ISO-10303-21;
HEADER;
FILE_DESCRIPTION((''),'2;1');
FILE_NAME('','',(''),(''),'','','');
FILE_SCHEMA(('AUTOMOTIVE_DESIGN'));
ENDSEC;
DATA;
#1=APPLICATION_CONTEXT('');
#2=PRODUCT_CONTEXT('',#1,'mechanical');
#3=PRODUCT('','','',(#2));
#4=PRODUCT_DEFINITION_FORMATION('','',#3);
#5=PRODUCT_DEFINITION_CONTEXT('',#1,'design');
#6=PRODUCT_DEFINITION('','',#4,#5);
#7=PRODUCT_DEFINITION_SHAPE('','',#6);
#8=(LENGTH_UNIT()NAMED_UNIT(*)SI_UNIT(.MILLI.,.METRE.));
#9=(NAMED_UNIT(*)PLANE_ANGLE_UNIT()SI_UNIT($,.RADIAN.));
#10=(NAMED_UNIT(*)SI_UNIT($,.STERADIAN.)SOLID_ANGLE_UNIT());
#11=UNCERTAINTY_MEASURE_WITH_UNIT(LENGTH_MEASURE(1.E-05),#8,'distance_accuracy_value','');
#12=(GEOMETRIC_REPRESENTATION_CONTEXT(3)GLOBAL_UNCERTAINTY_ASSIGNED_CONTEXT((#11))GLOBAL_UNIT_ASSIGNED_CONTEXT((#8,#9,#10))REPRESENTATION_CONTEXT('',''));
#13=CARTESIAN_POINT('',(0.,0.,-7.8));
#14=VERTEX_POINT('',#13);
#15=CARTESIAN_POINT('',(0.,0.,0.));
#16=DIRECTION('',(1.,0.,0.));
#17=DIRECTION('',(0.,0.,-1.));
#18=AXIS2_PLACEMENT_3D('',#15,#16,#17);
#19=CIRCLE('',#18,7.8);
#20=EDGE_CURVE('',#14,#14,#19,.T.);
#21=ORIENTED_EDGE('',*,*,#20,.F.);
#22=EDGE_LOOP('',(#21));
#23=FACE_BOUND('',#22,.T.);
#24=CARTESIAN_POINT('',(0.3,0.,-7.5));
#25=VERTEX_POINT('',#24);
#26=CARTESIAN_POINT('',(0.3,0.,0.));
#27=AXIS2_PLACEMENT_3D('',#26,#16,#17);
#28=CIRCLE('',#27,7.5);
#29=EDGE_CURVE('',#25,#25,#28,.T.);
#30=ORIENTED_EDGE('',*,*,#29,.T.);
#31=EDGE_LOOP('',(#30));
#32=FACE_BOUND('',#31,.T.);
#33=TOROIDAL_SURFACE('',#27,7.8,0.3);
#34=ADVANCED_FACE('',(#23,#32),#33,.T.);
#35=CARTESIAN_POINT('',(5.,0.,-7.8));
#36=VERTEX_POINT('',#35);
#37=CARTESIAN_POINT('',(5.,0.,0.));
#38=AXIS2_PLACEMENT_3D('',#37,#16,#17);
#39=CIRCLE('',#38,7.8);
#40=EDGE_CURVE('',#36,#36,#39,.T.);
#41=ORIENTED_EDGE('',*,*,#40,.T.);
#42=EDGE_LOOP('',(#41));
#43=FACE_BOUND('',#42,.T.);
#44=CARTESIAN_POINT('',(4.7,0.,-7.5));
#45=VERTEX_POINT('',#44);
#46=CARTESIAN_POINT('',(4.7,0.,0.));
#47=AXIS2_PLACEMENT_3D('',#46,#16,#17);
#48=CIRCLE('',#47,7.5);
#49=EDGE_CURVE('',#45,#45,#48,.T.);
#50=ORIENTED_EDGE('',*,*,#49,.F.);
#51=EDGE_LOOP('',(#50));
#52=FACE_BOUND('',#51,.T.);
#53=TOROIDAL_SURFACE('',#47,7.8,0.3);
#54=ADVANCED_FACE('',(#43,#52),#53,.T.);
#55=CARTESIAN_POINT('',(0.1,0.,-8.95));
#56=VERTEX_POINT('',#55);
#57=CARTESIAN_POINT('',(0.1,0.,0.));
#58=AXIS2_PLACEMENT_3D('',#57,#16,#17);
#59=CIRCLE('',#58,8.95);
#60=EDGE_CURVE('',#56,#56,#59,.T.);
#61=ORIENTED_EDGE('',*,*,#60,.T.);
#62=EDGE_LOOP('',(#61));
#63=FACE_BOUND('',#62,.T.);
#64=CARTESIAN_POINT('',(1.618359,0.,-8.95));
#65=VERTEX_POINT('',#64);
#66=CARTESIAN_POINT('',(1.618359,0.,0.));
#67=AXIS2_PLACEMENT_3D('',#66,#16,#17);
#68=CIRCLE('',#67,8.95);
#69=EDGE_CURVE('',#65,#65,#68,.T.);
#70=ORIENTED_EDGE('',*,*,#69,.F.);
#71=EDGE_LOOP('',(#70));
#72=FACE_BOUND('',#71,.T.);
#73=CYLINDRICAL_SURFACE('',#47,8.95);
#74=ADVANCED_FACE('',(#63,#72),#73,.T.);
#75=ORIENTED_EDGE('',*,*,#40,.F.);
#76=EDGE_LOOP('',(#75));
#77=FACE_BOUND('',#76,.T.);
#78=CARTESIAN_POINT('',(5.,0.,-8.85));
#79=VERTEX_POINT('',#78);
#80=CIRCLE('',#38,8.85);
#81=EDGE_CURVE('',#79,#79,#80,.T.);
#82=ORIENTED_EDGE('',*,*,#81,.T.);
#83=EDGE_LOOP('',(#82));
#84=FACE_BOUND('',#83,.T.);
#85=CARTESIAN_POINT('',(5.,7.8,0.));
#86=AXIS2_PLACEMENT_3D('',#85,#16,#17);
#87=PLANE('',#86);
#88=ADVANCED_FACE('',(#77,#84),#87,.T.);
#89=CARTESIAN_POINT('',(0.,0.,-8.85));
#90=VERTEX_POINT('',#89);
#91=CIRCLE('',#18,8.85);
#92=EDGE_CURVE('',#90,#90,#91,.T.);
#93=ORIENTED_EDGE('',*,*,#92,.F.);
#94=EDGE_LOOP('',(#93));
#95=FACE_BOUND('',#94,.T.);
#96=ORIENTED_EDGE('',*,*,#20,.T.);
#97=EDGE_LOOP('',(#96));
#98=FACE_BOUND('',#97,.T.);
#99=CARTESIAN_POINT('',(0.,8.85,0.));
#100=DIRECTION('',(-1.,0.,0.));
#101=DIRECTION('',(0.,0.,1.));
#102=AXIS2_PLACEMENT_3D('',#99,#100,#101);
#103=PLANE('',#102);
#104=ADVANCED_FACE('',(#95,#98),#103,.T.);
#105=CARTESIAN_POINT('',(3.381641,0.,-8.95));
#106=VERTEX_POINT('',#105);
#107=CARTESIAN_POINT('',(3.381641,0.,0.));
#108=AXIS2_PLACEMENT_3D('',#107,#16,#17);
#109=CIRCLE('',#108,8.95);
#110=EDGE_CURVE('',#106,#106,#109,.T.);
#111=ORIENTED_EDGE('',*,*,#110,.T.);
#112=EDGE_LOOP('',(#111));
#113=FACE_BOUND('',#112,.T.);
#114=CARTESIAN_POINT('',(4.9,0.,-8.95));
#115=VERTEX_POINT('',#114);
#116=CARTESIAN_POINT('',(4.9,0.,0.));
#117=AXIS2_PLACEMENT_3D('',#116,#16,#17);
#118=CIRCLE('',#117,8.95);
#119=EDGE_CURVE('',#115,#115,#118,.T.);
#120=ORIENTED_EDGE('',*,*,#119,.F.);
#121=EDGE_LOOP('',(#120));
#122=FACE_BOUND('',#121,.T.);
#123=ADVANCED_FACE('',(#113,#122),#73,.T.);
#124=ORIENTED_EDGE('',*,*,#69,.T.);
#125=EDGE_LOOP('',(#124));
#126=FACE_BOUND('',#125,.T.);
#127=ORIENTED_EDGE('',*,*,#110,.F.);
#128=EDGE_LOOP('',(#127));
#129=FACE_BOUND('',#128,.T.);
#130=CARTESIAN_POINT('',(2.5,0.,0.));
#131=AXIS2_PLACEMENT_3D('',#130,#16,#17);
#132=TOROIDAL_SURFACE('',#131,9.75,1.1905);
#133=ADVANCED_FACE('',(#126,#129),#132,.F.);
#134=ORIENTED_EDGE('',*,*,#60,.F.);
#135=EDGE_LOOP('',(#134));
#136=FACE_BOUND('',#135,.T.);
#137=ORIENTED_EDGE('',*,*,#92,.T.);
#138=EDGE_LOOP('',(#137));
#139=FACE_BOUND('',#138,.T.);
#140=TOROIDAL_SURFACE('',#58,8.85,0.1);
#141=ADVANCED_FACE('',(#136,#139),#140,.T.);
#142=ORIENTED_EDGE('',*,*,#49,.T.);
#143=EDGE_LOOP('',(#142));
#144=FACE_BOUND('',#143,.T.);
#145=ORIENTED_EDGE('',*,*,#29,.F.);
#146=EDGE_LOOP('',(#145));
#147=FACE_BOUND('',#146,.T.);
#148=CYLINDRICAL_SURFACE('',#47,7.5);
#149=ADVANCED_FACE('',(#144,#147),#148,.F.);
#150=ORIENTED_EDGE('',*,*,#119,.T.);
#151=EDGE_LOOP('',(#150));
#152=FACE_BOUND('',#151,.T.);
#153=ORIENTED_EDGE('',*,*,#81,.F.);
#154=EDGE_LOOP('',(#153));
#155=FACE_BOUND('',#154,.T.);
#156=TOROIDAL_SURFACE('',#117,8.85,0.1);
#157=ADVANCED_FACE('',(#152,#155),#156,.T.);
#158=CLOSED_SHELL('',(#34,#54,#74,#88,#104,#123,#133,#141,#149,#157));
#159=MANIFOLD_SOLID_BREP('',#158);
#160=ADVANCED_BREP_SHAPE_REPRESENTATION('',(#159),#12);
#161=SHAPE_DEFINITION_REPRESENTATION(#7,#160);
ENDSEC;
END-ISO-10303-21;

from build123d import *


with BuildPart() as part:
    # Sketch1 → Revolve1 (revolve)
    with BuildSketch(Plane.XY):
        with BuildLine():
            Line((0.3, 7.5), (4.7, 7.5))
            ThreePointArc((4.7, 7.5), (4.912132034, 7.587867966), (5, 7.8))
            Line((5, 7.8), (5, 8.85))
            ThreePointArc((5, 8.85), (4.970710678, 8.920710678), (4.9, 8.95))
            Line((4.9, 8.95), (3.381640658, 8.95))
            ThreePointArc((3.381640658, 8.95), (2.5, 8.5595), (1.618359342, 8.95))
            Line((1.618359342, 8.95), (0.1, 8.95))
            ThreePointArc((0.1, 8.95), (0.029289322, 8.920710678), (0, 8.85))
            Line((0, 8.85), (0, 7.8))
            ThreePointArc((0, 7.8), (0.087867966, 7.587867966), (0.3, 7.5))
        make_face()
    revolve(axis=Axis((4.7, 0, 0), (-1, 0, 0)))


solid = part.part
